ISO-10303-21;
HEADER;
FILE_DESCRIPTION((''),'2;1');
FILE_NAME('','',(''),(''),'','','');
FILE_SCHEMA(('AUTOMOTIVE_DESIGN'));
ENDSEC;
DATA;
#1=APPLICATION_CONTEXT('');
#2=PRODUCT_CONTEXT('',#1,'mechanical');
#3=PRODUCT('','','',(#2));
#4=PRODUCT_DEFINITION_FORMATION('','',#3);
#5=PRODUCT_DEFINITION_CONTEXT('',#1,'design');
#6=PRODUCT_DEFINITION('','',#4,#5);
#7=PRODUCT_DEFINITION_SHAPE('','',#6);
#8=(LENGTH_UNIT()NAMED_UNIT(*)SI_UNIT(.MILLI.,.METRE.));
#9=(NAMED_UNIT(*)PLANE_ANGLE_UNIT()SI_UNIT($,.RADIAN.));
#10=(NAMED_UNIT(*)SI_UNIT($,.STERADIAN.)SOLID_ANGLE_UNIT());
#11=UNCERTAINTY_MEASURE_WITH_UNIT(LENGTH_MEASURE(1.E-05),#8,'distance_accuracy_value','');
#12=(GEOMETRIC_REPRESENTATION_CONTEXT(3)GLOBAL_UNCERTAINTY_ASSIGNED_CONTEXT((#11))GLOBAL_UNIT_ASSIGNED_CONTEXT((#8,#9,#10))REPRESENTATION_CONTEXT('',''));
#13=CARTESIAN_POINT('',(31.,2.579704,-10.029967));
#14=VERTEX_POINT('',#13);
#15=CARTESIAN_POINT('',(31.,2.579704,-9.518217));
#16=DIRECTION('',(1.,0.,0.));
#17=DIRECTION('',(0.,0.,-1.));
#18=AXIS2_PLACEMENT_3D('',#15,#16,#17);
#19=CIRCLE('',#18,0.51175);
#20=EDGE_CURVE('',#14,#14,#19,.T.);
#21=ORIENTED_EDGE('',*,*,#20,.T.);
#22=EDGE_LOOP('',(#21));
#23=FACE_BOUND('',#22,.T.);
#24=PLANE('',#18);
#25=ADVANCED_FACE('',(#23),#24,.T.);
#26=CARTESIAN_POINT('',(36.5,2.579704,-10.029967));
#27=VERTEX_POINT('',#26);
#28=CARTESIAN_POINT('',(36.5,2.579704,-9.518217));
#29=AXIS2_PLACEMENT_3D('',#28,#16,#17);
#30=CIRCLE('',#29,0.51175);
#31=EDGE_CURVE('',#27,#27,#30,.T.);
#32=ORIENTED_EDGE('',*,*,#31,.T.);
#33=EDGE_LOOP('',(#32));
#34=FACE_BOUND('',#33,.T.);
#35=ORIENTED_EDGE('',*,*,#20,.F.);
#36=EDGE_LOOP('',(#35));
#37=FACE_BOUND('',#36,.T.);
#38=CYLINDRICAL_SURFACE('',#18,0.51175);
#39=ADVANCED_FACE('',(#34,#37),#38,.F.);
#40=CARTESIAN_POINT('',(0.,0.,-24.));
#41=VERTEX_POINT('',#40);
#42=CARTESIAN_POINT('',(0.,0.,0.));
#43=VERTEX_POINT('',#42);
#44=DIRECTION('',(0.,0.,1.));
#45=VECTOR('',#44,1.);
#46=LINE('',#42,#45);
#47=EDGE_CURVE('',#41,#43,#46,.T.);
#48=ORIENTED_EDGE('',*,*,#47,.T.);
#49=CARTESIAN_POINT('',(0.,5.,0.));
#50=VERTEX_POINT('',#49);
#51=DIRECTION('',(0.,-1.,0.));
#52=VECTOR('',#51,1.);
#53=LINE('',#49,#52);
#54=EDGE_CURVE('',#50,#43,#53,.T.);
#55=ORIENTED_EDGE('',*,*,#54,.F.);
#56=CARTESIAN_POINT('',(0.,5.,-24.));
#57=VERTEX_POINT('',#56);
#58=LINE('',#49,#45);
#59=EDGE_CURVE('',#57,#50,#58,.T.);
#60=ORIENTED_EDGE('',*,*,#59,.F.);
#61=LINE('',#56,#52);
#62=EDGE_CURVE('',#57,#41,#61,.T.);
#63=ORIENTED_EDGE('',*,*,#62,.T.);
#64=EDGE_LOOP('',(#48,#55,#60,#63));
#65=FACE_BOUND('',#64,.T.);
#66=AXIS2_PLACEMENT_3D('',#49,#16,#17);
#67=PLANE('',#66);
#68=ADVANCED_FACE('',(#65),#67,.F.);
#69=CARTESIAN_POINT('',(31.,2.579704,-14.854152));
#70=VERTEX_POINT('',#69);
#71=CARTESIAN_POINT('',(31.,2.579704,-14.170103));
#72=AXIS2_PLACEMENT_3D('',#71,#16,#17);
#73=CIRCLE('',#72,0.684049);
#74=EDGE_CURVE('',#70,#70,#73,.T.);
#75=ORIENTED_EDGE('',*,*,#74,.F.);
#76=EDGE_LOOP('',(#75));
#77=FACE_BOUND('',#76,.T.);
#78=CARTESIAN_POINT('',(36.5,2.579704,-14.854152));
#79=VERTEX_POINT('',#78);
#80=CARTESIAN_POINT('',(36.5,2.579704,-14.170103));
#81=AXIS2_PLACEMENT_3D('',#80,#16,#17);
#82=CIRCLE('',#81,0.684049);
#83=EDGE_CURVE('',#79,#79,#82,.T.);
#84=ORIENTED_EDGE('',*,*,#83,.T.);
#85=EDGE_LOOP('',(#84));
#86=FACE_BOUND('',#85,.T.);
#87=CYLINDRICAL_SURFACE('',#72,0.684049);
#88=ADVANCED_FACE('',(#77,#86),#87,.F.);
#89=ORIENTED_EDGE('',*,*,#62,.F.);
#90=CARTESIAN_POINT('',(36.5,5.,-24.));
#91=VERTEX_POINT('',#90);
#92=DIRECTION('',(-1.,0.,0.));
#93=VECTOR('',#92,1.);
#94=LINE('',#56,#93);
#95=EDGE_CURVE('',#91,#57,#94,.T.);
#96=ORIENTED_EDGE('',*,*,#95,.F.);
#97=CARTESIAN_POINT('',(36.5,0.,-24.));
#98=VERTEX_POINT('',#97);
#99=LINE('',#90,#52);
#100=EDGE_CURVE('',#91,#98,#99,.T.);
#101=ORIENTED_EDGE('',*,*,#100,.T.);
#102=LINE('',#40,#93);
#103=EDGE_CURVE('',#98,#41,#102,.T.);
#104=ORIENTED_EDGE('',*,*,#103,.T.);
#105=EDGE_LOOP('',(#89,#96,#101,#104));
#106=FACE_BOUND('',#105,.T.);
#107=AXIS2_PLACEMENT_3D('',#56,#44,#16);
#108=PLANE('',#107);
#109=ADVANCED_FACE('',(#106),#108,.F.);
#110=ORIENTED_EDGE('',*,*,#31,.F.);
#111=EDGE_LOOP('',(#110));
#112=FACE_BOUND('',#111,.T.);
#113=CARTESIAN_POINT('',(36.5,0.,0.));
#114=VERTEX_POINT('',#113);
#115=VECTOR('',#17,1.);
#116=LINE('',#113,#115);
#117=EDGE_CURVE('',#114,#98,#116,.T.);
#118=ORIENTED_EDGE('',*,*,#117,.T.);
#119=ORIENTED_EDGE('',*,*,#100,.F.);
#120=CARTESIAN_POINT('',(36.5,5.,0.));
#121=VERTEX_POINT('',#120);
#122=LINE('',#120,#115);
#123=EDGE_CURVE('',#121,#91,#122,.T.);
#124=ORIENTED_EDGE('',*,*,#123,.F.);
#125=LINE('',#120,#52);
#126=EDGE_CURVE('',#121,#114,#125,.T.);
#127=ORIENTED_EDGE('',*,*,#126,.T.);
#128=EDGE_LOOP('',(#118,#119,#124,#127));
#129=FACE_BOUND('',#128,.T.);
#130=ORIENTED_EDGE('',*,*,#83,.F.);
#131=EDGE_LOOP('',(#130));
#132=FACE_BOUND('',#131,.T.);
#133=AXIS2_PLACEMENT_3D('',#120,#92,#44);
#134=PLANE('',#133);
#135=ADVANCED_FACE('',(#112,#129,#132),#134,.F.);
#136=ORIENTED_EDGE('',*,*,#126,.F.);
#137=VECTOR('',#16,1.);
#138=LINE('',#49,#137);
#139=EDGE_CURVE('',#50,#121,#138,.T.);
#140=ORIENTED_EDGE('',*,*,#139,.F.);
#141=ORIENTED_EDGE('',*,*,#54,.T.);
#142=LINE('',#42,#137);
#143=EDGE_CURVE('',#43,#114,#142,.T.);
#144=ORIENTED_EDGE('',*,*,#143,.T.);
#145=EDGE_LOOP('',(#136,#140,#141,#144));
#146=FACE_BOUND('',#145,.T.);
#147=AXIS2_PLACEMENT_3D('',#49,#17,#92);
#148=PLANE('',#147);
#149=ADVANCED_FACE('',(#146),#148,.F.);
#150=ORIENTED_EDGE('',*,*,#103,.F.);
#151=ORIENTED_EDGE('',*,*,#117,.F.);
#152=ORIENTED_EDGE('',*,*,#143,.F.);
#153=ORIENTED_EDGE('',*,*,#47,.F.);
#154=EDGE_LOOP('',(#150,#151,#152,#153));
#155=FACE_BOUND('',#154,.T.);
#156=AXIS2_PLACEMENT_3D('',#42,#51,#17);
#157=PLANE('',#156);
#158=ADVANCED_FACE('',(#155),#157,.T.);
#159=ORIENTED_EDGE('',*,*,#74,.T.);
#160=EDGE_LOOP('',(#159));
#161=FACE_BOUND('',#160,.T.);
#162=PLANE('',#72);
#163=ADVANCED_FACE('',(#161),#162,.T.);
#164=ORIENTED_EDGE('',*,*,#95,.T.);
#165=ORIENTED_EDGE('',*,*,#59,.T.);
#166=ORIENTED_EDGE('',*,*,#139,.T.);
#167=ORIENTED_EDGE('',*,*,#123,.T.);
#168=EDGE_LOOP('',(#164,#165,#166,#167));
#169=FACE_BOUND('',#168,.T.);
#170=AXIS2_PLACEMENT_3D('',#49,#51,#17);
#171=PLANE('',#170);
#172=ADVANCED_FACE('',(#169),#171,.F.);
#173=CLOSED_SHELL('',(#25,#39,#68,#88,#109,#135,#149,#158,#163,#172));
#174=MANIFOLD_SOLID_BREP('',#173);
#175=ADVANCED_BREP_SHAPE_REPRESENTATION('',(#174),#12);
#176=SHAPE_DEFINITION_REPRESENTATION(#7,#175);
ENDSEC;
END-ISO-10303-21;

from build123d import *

# Parameters (mm, degrees)
SKETCH1_W           = 36.5
SKETCH1_H           = 24
BOSS_EXTRUDE1_DEPTH = 5
SKETCH2_R           = 0.511749617
SKETCH2_R_2         = 0.684048874
CUT_EXTRUDE1_DEPTH  = 5.5


with BuildPart() as part:
    # Sketch1 → Boss-Extrude1 (new body)
    with BuildSketch(Plane(origin=(0, 0, 0), x_dir=(1, 0, 0), z_dir=(0, 1, 0))):
        with Locations((18.25, 12)):
            Rectangle(SKETCH1_W, SKETCH1_H)
    extrude(amount=BOSS_EXTRUDE1_DEPTH)

    # Sketch2 → Cut-Extrude1 (cut)
    with BuildSketch(Plane(origin=(36.5, 0, 0), x_dir=(0, 0, -1), z_dir=(1, 0, 0))):
        with Locations((9.518217133, 2.579703957)):
            Circle(SKETCH2_R)
        with Locations((14.170102922, 2.579703957)):
            Circle(SKETCH2_R_2)
    extrude(amount=-CUT_EXTRUDE1_DEPTH, mode=Mode.SUBTRACT)


solid = part.part
